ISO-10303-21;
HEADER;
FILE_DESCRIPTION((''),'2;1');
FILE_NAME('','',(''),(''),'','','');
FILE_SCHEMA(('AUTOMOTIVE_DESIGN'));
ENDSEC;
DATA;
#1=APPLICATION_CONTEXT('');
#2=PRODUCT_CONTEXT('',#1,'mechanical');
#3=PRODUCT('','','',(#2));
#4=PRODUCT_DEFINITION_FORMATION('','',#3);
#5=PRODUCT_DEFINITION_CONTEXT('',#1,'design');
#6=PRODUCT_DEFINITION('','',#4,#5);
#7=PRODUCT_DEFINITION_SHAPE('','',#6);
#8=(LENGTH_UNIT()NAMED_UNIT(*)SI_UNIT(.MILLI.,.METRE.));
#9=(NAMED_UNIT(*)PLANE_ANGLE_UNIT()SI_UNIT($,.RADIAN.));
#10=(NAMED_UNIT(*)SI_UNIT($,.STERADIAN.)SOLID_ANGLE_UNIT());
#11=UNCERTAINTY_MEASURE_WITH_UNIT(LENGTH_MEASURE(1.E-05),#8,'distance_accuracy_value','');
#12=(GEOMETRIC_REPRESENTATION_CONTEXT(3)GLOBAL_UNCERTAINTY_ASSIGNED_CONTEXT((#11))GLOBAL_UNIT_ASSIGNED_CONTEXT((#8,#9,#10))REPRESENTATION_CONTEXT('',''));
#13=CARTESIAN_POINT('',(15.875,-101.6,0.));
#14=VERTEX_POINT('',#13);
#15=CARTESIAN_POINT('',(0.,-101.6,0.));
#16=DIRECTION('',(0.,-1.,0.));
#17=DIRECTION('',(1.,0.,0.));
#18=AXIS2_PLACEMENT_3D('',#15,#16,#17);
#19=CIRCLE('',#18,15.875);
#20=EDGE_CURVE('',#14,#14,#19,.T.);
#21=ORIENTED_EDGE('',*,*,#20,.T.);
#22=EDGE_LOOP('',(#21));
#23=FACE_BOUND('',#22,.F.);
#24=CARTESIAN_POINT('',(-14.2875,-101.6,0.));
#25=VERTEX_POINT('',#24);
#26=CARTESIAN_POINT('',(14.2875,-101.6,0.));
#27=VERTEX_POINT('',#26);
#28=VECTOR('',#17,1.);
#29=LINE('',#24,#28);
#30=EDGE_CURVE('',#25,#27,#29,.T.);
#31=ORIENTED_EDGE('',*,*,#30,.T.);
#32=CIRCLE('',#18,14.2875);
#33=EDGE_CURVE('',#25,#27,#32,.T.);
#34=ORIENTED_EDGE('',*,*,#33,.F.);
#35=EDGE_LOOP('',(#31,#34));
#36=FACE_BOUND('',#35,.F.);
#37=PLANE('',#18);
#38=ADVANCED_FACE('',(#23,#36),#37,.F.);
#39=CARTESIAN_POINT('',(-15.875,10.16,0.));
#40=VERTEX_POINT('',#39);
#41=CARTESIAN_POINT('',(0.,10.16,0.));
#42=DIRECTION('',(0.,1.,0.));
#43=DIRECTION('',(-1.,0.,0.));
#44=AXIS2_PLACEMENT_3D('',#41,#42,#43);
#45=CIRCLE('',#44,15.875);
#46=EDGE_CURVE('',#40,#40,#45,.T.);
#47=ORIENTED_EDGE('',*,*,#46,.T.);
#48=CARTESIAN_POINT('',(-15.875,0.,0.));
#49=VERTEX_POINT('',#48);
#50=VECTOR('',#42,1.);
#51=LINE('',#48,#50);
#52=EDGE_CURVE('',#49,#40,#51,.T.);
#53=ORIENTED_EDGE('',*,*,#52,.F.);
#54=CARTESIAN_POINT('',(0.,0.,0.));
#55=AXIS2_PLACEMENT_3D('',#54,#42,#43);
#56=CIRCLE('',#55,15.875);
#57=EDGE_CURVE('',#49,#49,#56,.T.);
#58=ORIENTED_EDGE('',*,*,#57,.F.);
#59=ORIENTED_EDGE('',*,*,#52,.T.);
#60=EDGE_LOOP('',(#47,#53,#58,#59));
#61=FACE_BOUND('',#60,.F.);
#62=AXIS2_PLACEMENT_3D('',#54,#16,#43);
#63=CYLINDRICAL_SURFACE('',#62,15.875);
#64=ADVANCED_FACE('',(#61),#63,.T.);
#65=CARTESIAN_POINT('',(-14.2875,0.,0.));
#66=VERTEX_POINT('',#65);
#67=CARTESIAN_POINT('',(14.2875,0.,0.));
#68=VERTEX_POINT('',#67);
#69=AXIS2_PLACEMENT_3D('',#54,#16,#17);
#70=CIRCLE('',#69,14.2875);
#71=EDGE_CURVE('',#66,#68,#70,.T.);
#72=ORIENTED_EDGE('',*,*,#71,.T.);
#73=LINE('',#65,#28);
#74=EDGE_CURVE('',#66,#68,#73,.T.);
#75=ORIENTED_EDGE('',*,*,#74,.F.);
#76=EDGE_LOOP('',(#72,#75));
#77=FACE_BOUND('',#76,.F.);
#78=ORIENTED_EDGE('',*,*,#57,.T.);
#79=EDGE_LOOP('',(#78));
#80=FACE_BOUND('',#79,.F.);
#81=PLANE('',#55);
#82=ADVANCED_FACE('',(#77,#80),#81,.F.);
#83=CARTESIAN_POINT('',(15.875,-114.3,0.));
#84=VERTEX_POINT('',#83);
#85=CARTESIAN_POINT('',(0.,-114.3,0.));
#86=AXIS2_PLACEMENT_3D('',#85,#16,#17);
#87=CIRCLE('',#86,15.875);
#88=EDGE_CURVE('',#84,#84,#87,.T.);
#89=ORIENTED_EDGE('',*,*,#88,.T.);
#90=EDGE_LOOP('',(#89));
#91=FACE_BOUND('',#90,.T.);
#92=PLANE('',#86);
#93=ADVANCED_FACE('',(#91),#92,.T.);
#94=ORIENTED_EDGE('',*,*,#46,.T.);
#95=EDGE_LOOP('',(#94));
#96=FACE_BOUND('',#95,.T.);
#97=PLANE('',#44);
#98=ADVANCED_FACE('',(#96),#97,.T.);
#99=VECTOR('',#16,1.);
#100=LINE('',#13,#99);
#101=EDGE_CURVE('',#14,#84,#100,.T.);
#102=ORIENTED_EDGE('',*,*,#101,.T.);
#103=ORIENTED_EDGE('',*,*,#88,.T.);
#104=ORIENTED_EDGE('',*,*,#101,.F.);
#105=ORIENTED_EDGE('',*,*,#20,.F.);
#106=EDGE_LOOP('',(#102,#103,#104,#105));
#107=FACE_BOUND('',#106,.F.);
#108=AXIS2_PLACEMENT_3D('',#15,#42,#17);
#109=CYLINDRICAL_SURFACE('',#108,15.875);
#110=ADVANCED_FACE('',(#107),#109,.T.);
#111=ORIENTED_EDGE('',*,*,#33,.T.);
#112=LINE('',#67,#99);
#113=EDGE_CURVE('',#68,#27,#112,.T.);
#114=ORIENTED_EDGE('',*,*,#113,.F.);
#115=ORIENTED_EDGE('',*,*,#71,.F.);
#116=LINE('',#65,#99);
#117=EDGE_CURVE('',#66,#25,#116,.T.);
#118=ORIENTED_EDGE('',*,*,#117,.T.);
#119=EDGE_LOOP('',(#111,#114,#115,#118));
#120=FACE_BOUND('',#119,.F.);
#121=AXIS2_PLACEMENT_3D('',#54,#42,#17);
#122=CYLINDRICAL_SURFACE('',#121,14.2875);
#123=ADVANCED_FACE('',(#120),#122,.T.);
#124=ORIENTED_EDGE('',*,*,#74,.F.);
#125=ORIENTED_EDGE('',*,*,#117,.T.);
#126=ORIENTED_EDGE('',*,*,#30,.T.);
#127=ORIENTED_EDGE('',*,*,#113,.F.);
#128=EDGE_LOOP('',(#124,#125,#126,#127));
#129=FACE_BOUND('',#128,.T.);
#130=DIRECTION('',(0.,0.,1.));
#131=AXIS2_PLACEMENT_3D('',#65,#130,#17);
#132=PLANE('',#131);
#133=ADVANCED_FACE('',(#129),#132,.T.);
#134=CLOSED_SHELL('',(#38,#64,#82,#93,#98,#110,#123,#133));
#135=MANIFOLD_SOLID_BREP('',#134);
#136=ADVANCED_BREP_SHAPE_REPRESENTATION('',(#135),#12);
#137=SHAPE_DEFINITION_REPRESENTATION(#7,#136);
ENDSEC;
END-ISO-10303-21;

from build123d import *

# Parameters (mm, degrees)
F0_R     = 14.2875
F1_DEPTH = 101.6
F2_R     = 15.875
F3_DEPTH = 12.7
F4_R     = 15.875
F5_DEPTH = 10.16
F7_DEPTH = 101.6


with BuildPart() as f1:
    # F0 (on Front) → F1 (new body)
    with BuildSketch(Plane.XZ):
        Circle(F0_R)
    extrude(amount=F1_DEPTH)

    # F2 (on face) → F3 (join)
    with BuildSketch(Plane.XZ.offset(101.6)):
        Circle(F2_R)
    extrude(amount=F3_DEPTH)

    # F4 (on face) → F5 (join)
    with BuildSketch(Plane(origin=(0, 0, 0), x_dir=(-1, 0, 0), z_dir=(0, 1, 0))):
        Circle(F4_R)
    extrude(amount=F5_DEPTH)

    # F6 (on Front) → F7 (cut)
    with BuildSketch(Plane.XZ):
        with BuildLine():
            Line((-14.2875, 0), (0, 0))
            Line((0, 0), (14.2875, 0))
            ThreePointArc((14.2875, 0), (0, 14.2875), (-14.2875, 0))
        make_face()
    extrude(amount=F7_DEPTH, mode=Mode.SUBTRACT)


solid = f1.part
